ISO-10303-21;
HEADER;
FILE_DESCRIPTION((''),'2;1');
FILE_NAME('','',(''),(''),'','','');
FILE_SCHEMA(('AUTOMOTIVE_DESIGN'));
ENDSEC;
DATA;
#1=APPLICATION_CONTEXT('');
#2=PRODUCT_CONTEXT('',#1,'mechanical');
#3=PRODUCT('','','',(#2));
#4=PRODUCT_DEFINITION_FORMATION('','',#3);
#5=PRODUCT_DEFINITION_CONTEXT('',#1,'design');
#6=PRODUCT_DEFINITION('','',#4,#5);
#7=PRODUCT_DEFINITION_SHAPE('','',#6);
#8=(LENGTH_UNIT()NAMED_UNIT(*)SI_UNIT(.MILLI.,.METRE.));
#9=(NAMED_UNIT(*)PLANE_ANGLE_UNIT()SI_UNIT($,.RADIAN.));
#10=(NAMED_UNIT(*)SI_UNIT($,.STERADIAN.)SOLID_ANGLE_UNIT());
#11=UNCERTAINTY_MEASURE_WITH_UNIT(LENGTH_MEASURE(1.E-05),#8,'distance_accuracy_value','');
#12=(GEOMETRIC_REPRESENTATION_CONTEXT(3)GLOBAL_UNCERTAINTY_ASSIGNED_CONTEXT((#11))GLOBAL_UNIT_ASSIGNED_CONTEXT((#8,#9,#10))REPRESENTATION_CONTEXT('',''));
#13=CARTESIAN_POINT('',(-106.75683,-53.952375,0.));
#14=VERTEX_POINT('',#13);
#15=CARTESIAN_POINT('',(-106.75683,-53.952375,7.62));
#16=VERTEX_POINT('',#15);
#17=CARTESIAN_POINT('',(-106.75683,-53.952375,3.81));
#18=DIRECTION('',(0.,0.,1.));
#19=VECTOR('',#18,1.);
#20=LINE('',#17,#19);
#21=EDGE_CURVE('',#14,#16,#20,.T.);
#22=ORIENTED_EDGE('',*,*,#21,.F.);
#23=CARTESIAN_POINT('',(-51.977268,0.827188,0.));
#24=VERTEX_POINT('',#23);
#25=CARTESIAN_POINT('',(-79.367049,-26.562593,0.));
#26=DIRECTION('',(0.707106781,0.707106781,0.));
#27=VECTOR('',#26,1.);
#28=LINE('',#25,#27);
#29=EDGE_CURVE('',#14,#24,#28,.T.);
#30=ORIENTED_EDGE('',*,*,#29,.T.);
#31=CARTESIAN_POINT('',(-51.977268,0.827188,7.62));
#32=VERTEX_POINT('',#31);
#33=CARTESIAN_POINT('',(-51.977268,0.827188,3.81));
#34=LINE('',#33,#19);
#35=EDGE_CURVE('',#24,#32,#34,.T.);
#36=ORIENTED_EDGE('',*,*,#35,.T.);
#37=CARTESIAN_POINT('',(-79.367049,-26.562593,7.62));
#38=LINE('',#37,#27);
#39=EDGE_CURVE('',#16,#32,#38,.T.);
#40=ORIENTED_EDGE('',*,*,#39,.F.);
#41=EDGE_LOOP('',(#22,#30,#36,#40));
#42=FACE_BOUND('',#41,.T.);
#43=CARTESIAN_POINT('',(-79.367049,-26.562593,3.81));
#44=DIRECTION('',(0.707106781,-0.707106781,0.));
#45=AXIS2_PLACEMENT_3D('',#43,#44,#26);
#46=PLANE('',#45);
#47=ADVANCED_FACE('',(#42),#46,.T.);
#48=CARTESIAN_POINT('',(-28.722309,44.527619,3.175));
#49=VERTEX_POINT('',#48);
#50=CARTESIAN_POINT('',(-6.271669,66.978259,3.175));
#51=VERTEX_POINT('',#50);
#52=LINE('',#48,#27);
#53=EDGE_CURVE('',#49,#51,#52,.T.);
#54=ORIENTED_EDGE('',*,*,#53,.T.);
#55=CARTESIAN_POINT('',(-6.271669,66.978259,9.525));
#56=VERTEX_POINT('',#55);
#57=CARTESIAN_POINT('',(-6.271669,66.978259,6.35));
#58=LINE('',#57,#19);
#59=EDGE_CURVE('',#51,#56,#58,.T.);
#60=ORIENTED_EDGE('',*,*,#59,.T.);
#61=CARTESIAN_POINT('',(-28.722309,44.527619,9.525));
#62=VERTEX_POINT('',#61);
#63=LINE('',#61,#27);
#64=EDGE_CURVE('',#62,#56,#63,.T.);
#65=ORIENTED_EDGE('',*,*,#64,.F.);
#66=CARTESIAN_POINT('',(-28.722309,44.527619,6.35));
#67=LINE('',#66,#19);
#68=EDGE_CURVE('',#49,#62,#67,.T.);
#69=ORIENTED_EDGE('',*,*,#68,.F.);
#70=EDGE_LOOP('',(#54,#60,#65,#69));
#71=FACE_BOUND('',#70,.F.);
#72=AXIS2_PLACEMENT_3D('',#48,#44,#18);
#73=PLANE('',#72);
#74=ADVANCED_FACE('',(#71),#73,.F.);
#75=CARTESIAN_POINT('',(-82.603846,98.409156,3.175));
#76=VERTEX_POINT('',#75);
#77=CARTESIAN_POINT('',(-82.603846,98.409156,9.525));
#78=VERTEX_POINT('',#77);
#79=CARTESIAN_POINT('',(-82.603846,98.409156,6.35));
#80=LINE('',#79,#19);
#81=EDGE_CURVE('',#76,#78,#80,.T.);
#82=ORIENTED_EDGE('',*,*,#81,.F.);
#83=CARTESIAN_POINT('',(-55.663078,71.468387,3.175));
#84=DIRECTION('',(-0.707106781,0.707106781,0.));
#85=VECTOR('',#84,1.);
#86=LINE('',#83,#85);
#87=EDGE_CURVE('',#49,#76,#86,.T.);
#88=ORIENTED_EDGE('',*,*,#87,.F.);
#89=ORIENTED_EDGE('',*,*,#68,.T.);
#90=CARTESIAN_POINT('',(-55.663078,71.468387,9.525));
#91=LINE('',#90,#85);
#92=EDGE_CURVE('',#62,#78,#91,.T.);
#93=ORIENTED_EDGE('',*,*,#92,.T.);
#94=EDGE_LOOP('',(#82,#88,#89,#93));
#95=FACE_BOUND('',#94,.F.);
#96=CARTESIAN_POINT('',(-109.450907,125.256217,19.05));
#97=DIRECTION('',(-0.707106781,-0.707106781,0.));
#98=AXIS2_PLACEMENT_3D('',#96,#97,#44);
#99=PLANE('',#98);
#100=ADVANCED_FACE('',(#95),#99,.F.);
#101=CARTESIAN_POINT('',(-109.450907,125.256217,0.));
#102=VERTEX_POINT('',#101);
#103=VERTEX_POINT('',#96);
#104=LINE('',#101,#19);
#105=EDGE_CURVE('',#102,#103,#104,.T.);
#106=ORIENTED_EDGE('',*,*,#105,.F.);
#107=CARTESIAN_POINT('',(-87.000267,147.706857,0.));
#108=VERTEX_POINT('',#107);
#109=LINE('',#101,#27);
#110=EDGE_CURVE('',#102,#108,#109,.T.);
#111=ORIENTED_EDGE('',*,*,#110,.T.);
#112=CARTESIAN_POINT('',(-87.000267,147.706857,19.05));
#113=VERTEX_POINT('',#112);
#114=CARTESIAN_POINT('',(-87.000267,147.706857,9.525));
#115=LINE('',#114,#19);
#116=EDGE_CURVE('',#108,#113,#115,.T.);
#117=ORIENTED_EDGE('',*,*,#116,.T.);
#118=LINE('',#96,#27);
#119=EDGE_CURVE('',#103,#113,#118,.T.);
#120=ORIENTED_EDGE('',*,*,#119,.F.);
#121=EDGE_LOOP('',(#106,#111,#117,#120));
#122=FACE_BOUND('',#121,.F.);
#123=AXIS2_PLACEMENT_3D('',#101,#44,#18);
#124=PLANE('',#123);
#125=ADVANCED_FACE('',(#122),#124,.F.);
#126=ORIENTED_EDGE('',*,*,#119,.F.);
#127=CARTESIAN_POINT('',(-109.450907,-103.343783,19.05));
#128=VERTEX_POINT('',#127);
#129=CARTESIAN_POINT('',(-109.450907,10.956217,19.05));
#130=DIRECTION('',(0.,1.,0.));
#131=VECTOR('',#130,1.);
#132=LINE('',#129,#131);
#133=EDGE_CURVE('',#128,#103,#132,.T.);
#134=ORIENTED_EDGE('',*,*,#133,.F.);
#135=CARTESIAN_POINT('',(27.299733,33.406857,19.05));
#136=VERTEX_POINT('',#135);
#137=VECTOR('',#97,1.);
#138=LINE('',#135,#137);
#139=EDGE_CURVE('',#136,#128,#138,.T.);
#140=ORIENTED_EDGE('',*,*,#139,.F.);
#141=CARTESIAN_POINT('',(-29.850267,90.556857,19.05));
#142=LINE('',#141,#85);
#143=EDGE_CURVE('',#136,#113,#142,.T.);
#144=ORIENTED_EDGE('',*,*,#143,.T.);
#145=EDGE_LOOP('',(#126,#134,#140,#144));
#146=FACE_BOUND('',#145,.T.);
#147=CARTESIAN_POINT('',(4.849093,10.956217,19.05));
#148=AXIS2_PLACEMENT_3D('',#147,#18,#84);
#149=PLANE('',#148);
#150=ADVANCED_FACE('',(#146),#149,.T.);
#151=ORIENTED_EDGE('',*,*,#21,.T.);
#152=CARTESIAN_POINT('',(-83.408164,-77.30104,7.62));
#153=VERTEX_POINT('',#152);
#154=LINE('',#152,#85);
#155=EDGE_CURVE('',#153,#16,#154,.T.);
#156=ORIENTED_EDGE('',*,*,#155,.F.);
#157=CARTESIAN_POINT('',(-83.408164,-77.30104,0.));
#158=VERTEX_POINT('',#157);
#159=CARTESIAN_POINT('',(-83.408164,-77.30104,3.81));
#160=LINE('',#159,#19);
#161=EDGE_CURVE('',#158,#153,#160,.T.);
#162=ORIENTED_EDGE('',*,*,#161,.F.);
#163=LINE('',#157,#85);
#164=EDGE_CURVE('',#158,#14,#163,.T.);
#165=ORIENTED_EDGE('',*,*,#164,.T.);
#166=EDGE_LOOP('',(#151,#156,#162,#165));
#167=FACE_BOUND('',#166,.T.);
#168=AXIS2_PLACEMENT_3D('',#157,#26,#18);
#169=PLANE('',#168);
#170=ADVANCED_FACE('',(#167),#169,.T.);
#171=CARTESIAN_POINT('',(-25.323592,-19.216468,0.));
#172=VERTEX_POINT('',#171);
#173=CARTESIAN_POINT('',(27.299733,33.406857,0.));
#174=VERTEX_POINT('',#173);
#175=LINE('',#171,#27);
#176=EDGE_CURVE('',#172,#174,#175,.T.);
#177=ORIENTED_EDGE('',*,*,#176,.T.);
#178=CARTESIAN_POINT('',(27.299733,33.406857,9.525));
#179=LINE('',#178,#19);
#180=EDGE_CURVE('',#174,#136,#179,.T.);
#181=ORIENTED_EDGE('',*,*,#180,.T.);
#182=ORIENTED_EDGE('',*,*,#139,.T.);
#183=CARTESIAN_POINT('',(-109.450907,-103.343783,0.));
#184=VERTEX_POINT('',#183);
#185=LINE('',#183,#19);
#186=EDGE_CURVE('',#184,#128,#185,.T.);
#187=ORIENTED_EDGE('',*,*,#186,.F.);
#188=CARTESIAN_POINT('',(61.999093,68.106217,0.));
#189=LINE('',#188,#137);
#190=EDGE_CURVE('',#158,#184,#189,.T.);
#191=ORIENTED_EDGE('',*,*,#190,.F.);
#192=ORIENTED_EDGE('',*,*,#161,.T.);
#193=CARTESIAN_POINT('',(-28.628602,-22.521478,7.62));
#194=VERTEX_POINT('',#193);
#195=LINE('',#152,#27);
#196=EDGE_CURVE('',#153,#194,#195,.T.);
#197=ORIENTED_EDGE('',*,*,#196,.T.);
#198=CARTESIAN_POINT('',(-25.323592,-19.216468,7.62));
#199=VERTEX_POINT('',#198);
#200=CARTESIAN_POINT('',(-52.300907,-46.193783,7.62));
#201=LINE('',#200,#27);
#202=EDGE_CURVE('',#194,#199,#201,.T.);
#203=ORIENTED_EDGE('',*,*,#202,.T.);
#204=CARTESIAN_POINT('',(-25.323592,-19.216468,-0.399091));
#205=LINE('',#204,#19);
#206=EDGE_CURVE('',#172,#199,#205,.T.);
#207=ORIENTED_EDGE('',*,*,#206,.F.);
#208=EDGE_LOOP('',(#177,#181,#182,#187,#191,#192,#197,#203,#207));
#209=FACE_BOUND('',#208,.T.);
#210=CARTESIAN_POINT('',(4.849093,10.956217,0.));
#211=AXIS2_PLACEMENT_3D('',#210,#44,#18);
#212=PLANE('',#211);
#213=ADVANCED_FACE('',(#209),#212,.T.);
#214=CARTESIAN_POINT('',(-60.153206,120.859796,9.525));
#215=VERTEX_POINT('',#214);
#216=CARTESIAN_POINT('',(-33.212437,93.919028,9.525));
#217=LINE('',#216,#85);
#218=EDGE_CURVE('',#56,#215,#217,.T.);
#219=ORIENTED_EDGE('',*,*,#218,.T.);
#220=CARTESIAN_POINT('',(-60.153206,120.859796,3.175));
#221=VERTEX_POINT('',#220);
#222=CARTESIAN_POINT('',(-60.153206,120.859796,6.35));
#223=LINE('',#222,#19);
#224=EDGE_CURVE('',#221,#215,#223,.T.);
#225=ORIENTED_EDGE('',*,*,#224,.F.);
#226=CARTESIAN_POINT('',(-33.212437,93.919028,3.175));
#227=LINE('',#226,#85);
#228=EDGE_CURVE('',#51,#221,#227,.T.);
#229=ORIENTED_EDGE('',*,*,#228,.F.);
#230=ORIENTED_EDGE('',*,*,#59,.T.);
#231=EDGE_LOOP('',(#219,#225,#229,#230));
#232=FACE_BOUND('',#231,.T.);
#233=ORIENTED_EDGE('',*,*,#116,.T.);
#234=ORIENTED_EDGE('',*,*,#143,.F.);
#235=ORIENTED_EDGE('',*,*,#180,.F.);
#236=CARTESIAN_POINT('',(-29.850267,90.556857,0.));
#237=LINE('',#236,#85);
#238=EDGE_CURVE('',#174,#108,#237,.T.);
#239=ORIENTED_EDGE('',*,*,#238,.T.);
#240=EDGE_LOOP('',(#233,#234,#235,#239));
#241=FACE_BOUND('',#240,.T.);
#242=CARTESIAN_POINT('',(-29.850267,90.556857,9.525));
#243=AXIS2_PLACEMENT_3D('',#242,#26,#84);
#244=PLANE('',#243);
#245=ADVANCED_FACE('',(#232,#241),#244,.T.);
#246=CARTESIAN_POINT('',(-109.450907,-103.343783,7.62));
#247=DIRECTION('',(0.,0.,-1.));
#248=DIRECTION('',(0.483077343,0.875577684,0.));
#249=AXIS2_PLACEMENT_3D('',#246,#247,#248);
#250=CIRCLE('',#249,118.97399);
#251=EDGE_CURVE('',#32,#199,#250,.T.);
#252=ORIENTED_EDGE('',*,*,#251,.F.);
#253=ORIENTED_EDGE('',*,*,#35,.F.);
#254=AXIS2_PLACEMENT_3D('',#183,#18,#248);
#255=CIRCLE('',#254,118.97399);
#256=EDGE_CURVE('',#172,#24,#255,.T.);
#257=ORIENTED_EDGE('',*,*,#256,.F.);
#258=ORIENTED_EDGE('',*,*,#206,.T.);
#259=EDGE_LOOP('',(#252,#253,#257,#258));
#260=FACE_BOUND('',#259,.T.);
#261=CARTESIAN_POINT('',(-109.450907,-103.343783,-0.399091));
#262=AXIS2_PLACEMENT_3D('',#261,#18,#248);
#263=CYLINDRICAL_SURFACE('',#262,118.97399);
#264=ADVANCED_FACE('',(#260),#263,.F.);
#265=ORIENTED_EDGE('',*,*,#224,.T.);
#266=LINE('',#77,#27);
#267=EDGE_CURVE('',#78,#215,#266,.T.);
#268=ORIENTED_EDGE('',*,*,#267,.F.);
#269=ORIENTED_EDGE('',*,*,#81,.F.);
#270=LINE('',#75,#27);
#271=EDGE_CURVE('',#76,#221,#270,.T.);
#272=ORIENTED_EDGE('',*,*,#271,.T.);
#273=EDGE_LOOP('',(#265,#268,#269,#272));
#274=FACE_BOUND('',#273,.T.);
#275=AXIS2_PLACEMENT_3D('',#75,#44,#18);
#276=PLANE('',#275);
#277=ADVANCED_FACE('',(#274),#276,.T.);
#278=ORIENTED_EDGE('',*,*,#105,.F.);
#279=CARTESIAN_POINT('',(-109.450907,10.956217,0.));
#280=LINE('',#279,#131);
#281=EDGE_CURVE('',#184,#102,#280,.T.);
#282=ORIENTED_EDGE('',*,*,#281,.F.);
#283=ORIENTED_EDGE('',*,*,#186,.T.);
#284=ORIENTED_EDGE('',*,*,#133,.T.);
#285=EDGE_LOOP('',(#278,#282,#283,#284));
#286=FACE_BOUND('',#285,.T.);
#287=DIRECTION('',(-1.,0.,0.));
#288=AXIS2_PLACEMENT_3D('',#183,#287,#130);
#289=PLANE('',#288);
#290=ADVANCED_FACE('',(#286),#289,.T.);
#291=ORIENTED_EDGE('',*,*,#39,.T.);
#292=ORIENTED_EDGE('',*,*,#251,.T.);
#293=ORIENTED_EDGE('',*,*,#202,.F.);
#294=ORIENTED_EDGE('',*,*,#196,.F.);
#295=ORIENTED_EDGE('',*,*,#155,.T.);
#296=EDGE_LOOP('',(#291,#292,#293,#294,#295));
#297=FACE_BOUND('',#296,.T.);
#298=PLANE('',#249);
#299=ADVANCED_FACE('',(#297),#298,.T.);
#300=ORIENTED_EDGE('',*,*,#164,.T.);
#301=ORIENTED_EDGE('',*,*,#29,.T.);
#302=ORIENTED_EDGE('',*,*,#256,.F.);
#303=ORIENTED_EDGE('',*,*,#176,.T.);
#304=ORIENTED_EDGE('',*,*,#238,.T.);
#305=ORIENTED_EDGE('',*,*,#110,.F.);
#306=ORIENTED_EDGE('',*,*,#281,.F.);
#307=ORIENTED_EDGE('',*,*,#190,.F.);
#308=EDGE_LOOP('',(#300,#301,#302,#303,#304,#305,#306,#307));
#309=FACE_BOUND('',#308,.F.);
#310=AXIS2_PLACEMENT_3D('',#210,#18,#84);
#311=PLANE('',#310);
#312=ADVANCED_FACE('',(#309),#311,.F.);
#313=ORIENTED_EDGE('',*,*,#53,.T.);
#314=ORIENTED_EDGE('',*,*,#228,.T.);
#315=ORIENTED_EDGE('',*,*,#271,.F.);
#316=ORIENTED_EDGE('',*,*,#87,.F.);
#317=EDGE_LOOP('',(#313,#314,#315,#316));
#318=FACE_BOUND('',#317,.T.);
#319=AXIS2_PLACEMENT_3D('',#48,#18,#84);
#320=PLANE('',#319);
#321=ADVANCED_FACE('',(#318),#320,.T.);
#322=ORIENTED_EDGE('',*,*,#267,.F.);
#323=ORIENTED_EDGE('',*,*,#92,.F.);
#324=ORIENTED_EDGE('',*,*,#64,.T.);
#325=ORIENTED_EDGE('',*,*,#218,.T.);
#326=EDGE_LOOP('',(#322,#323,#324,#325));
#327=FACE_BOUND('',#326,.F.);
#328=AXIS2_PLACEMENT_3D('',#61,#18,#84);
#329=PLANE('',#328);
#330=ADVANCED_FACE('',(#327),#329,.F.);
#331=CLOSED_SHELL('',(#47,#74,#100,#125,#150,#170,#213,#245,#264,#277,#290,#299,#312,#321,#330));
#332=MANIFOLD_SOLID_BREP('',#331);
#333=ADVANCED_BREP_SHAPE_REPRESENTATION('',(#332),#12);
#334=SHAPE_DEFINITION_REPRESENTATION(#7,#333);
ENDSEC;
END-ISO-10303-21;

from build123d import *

# Parameters (mm, degrees)
F0_W      = 228.6
F0_H      = 228.6
F1_DEPTH  = 19.05
F3_DEPTH  = 19.051
F5_DEPTH  = 63.5
F7_W      = 77.47
F7_H      = 7.62
F8_DEPTH  = 33.02
F6_W      = 161.6446101792
F6_H      = 19.05
F6_W_2    = 76.2
F6_H_2    = 6.35
F9_DEPTH  = 31.75
F11_W     = 33.95681642
F11_H     = 16.0381817259
F12_ANGLE = 35


with BuildPart() as f1:
    # F0 (on Top) → F1 (new body)
    with BuildSketch(Plane.XY):
        with Locations((4.8490930349, 10.9562167545)):
            Rectangle(F0_W, F0_H)
    extrude(amount=F1_DEPTH)

    # F2 (on face) → F3 (cut, through all)
    with BuildSketch(Plane.XY.offset(19.05)):
        Polygon((155.7185798883, -103.3437832455), (119.1490930349, 125.2562167545), (-109.4509069651, -103.3437832455), align=None)
    extrude(amount=-F3_DEPTH, mode=Mode.SUBTRACT)

    # F4 (on face) → F5 (cut, symmetric)
    with BuildSketch(Plane.XY.offset(19.05)):
        Polygon((150.6341397762, 139.1298025846), (-109.4509069651, 125.2562167545), (4.8490930349, 10.9562167545), align=None)
    extrude(amount=F5_DEPTH, both=True, mode=Mode.SUBTRACT)

    # F7 (on face) → F8 (cut)
    with BuildSketch(Plane(origin=(-3.0535618598, 3.0535618598, 0), x_dir=(0.7071067812, 0.7071067812, 0), z_dir=(0.7071067812, -0.7071067812, 0))):
        with Locations((-74.9035684484, 3.81)):
            Rectangle(F7_W, F7_H)
    extrude(amount=-F8_DEPTH, mode=Mode.SUBTRACT)

    # F6 (on face) → F9 (join)
    with BuildSketch(Plane(origin=(7.9026548947, 7.9026548947, 0), x_dir=(-0.7071067812, 0.7071067812, 0), z_dir=(0.7071067812, 0.7071067812, 0))):
        with Locations((85.1406936854, 9.525)):
            Rectangle(F6_W, F6_H)
        with Locations((89.8955209156, 6.35)):
            Rectangle(F6_W_2, F6_H_2, mode=Mode.SUBTRACT)
    extrude(amount=F9_DEPTH)

    # F11 (on 3pt) → F12 (revolve, cut)
    with BuildSketch(Plane(origin=(-40.1975363097, 22.1779510674, 0), x_dir=(-0.4830773429, -0.875577684, 0), z_dir=(-0.875577684, 0.4830773429, 0))):
        with Locations((41.3631814837, -0.3990908629)):
            Rectangle(F11_W, F11_H)
    revolve(axis=Axis((-109.4509069651, -103.3437832455, 9.525), (0, 0, -1)), revolution_arc=F12_ANGLE, mode=Mode.SUBTRACT)


solid = f1.part
